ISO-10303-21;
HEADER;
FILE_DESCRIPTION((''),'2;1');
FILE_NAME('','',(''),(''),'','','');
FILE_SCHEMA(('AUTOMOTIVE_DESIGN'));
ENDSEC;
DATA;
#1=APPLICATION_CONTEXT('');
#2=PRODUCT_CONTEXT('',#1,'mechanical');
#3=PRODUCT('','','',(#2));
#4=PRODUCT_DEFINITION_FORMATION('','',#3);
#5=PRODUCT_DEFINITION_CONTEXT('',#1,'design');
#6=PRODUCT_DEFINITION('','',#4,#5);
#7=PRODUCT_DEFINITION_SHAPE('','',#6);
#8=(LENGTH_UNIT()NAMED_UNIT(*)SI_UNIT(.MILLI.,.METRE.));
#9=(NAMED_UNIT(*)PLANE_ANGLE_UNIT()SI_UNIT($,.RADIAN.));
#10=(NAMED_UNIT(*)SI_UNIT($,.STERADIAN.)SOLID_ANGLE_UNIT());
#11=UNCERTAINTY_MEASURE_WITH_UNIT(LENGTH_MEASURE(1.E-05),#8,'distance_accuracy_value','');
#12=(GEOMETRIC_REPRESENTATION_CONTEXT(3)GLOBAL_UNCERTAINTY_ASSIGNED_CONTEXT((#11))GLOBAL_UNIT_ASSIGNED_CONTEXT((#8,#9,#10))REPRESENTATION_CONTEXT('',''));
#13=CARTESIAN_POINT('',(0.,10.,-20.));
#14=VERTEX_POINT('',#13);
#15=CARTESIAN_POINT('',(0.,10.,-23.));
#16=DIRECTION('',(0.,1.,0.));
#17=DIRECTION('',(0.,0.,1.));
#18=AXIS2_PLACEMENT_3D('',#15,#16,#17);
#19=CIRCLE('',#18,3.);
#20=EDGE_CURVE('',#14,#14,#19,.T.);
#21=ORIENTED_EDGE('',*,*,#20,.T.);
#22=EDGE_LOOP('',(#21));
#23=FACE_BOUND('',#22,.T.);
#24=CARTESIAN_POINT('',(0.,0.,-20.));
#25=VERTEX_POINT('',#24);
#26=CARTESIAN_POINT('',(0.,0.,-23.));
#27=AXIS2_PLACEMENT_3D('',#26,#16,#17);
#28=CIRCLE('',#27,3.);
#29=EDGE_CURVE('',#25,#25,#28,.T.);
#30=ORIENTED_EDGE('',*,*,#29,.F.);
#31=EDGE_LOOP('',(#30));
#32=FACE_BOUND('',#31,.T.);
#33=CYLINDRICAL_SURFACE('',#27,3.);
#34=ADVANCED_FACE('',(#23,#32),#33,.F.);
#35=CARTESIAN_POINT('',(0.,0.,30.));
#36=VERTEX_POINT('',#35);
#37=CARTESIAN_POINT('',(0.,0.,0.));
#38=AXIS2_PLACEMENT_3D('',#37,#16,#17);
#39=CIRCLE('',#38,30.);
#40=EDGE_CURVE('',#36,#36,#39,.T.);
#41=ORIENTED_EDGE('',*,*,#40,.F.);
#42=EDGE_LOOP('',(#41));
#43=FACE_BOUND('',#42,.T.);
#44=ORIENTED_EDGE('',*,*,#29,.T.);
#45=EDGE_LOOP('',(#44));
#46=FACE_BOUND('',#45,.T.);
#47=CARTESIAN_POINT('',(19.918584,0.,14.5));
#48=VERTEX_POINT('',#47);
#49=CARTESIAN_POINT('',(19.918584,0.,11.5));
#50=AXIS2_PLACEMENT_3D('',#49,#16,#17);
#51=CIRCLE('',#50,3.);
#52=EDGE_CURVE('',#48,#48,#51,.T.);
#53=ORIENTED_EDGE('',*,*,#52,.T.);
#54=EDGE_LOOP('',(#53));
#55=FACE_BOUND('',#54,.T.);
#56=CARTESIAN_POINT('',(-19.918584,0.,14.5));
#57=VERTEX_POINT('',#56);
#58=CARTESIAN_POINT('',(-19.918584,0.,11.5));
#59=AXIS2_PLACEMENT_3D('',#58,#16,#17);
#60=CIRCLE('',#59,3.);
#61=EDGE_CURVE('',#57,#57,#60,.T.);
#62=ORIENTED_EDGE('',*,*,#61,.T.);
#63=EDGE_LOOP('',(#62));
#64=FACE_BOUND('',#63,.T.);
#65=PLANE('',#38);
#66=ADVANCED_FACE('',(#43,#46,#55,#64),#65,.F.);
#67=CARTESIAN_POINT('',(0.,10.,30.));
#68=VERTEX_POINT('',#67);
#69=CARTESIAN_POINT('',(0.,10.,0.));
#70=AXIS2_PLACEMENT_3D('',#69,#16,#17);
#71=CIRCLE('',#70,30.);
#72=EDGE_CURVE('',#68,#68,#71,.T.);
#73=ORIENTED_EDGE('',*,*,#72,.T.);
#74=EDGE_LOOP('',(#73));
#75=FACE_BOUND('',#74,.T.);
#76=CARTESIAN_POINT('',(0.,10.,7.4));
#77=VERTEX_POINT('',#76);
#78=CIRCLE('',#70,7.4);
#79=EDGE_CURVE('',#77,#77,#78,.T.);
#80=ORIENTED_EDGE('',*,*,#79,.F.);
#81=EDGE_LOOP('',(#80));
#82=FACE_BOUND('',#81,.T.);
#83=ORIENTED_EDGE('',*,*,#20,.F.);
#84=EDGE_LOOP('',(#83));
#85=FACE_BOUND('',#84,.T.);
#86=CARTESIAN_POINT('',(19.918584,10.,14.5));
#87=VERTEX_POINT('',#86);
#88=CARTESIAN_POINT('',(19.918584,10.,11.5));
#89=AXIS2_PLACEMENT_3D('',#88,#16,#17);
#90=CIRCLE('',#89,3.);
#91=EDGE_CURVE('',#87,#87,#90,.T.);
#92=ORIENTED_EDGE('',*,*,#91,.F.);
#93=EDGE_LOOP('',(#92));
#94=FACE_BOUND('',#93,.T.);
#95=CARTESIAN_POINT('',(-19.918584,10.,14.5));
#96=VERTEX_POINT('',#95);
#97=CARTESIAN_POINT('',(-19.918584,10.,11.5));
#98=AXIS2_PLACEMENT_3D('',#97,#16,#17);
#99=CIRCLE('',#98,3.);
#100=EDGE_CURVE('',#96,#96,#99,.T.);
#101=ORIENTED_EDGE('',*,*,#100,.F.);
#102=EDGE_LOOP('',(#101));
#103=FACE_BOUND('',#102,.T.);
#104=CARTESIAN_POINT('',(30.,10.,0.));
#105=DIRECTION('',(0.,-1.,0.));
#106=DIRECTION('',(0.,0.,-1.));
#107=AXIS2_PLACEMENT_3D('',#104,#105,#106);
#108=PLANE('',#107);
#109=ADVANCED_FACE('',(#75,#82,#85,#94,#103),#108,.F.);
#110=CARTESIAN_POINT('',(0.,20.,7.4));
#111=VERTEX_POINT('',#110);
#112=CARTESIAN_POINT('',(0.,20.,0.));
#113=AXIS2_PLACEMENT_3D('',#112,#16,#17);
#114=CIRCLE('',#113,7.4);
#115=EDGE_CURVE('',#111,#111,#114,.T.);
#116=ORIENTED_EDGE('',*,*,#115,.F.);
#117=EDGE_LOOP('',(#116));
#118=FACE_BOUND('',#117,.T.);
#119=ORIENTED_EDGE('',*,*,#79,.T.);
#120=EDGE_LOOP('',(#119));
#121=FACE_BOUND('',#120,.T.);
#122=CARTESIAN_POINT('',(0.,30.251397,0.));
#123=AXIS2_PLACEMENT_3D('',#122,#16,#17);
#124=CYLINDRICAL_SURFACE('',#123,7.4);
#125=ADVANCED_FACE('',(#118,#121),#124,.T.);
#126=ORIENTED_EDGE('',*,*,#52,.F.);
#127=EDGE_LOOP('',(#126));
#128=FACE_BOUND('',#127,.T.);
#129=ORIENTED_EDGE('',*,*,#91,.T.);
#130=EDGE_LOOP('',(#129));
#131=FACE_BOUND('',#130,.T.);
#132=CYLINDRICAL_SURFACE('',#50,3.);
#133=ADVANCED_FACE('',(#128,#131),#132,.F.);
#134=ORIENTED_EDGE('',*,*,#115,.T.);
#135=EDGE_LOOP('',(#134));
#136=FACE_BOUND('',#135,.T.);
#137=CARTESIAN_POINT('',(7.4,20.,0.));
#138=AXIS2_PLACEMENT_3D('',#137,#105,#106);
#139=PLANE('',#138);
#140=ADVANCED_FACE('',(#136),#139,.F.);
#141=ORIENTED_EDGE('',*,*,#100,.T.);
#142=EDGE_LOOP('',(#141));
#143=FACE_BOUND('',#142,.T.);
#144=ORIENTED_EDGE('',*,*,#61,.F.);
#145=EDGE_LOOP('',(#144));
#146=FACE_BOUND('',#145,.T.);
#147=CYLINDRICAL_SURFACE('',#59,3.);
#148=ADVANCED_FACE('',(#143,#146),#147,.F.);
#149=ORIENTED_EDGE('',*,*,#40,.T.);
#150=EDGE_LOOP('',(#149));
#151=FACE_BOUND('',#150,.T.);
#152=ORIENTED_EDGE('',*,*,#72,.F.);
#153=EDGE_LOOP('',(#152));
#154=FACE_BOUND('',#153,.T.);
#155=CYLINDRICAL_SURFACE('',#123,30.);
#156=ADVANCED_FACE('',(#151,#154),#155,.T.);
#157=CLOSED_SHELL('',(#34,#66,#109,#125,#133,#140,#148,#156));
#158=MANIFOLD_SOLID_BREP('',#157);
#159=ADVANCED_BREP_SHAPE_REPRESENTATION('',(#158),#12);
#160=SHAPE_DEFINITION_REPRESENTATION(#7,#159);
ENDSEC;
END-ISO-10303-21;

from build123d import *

# Parameters (mm, degrees)
ESQUISSE3_R             = 3
ENL_V_MAT_EXTRU_1_DEPTH = 11


with BuildPart() as part:
    # Esquisse1 → Révolution1 (revolve)
    with BuildSketch(Plane.XY, mode=Mode.PRIVATE) as r_volution1_sk:
        Polygon((0, 0), (30, 0), (30, 10), (7.4, 10), (7.4, 20), (0, 20), align=None)
    revolve(r_volution1_sk.sketch.rotate(Axis((0, 30.251396648, 0), (0, -1, 0)), 90), axis=Axis((0, 30.251396648, 0), (0, -1, 0)))  # turned: the seam where the file's is

    # Esquisse3 → Enlèv. mat.-Extru.1 (cut, through all)
    with BuildSketch(Plane(origin=(0, 10, 0), x_dir=(1, 0, 0), z_dir=(0, 1, 0))):
        with Locations(Location((0, 23, 0), (0, 0, 270))):  # turned: the seam where the file's is
            Circle(ESQUISSE3_R)
        with Locations(Location((19.918584287, -11.5, 0), (0, 0, 270))):  # turned: the seam where the file's is
            Circle(ESQUISSE3_R)
        with Locations(Location((-19.918584287, -11.5, 0), (0, 0, 270))):  # turned: the seam where the file's is
            Circle(ESQUISSE3_R)
    extrude(amount=-ENL_V_MAT_EXTRU_1_DEPTH, mode=Mode.SUBTRACT)


solid = part.part
